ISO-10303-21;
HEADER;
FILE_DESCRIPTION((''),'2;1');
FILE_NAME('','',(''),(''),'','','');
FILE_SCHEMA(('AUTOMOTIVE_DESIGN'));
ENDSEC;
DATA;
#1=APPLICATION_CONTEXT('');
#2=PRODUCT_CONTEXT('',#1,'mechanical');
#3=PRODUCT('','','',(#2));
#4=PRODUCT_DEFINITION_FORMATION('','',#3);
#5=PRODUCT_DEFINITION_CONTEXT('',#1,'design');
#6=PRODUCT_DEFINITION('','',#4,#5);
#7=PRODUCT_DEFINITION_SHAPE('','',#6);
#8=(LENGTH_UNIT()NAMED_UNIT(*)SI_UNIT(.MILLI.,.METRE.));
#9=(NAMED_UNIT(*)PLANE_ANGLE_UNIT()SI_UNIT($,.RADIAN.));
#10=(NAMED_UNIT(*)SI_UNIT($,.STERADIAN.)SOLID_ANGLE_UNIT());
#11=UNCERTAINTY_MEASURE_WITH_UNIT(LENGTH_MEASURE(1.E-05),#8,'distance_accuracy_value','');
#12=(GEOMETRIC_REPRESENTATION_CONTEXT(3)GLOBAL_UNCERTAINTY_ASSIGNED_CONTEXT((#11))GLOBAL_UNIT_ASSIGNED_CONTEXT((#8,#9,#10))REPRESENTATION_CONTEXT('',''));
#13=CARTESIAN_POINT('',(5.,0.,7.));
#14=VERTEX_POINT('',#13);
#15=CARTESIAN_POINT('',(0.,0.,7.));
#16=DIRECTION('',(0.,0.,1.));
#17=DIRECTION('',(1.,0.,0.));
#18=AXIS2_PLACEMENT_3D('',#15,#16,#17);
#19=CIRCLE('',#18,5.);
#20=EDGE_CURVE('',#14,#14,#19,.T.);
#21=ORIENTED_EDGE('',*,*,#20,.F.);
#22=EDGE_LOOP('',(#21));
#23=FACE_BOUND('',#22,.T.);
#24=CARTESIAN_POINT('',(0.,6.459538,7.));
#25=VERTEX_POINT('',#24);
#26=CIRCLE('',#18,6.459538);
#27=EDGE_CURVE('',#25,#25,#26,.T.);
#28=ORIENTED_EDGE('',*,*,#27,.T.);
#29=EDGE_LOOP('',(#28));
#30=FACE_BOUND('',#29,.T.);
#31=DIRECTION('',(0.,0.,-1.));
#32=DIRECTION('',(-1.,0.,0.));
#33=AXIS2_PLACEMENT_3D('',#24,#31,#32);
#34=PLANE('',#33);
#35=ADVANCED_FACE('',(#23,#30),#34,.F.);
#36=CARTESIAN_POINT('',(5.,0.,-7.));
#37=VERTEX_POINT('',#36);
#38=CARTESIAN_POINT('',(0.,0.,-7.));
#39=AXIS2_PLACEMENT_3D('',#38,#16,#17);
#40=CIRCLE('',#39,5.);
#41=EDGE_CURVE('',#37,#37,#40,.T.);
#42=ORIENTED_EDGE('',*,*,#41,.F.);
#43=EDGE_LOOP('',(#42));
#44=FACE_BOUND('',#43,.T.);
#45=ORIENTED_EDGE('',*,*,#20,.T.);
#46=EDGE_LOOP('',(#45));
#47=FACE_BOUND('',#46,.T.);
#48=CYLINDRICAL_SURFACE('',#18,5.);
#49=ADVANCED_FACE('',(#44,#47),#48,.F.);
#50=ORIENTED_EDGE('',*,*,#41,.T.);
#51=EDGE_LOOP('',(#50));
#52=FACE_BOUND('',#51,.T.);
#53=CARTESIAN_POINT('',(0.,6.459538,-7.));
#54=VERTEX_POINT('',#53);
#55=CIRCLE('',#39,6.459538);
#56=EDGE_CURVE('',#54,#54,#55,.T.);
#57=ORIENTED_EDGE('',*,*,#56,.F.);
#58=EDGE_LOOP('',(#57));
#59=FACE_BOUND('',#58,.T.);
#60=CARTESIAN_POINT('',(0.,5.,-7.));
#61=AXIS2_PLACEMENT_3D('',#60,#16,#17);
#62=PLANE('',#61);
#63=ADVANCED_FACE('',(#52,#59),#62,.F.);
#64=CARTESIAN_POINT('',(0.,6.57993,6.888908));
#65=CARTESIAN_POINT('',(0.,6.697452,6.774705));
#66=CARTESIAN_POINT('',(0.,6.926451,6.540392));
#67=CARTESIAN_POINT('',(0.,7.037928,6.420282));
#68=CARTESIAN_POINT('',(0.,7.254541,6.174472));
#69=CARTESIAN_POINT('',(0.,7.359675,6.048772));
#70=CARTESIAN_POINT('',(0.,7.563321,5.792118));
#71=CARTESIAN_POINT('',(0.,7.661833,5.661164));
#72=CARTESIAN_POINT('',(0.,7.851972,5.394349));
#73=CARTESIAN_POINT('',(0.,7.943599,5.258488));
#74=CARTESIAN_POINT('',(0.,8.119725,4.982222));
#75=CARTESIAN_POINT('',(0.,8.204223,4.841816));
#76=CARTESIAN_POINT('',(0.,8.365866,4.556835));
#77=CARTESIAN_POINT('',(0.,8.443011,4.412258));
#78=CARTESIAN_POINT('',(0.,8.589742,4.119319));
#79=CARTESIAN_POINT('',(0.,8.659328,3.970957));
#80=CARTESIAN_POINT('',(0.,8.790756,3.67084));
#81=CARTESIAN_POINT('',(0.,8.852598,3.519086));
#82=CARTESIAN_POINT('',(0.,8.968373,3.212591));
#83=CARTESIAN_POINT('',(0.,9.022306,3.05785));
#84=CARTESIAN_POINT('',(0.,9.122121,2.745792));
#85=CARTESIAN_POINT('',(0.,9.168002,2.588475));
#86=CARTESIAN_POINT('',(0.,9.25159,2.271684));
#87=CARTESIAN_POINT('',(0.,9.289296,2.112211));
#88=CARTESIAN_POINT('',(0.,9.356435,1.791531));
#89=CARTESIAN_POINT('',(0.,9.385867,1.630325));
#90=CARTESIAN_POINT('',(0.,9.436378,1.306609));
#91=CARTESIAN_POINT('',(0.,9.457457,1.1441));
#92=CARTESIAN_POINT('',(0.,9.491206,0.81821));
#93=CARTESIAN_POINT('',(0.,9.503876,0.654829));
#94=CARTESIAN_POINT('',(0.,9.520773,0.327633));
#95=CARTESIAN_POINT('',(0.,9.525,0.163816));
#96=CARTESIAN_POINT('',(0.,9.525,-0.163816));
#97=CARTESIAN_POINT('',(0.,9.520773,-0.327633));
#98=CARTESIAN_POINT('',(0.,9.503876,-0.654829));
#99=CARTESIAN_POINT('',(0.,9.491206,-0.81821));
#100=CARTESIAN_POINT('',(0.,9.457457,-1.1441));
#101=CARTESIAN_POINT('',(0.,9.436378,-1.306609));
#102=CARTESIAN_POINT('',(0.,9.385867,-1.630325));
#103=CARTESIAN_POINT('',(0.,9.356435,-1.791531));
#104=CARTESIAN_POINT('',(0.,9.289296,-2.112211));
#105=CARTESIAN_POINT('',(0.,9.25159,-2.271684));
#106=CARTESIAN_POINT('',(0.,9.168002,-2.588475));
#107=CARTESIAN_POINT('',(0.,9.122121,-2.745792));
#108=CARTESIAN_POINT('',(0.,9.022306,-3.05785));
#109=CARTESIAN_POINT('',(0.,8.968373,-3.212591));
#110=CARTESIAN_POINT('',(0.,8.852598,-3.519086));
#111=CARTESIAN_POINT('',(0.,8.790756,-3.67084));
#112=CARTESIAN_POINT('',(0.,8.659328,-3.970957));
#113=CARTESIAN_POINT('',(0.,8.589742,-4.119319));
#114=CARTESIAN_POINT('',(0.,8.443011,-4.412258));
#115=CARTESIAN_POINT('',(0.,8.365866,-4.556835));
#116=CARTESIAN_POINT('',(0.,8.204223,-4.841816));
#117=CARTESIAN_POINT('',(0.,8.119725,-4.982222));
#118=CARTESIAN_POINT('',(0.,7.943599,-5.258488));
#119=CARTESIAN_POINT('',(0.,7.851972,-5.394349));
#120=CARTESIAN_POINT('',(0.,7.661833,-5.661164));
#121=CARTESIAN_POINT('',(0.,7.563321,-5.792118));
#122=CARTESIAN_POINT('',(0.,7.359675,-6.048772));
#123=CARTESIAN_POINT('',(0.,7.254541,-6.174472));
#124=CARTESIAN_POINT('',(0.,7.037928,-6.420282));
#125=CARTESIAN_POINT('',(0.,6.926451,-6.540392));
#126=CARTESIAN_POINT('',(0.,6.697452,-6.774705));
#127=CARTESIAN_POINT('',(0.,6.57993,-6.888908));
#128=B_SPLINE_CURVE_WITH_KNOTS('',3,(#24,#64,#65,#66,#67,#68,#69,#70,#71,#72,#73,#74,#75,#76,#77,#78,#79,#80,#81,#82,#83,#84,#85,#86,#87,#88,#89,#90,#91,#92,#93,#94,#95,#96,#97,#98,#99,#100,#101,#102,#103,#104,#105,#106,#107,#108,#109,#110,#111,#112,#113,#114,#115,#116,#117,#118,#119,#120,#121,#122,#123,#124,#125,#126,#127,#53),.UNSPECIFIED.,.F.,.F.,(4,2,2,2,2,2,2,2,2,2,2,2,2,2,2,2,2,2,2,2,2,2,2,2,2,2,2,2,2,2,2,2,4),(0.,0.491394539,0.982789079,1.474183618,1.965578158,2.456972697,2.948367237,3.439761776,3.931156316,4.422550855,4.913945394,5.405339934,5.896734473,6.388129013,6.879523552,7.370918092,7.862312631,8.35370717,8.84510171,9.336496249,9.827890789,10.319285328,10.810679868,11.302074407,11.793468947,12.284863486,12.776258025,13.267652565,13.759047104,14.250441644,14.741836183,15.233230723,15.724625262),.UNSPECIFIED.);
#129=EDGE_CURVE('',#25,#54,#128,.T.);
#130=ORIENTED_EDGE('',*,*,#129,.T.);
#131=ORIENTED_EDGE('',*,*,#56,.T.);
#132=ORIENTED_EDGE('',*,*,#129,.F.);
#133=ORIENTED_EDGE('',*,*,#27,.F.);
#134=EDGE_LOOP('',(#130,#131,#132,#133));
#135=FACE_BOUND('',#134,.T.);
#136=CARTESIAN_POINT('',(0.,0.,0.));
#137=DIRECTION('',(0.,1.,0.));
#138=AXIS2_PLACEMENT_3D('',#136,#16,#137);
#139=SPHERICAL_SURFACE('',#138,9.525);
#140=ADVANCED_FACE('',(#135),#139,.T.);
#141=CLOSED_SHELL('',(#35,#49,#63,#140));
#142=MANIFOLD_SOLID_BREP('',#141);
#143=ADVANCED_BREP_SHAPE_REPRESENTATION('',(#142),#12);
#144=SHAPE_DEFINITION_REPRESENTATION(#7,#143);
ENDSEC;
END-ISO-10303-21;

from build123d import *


with BuildPart() as part:
    # 草图1 → 旋转1 (revolve)
    with BuildSketch(Plane(origin=(0, 0, 0), x_dir=(0, 0, -1), z_dir=(1, 0, 0))):
        with BuildLine():
            Line((-7, 6.459537522), (-7, 5))
            Line((-7, 5), (7, 5))
            Line((7, 5), (7, 6.459537522))
            ThreePointArc((7, 6.459537522), (0, 9.525), (-7, 6.459537522))
        make_face()
    revolve(axis=Axis((0, 0, 7), (0, 0, -1)))


solid = part.part
